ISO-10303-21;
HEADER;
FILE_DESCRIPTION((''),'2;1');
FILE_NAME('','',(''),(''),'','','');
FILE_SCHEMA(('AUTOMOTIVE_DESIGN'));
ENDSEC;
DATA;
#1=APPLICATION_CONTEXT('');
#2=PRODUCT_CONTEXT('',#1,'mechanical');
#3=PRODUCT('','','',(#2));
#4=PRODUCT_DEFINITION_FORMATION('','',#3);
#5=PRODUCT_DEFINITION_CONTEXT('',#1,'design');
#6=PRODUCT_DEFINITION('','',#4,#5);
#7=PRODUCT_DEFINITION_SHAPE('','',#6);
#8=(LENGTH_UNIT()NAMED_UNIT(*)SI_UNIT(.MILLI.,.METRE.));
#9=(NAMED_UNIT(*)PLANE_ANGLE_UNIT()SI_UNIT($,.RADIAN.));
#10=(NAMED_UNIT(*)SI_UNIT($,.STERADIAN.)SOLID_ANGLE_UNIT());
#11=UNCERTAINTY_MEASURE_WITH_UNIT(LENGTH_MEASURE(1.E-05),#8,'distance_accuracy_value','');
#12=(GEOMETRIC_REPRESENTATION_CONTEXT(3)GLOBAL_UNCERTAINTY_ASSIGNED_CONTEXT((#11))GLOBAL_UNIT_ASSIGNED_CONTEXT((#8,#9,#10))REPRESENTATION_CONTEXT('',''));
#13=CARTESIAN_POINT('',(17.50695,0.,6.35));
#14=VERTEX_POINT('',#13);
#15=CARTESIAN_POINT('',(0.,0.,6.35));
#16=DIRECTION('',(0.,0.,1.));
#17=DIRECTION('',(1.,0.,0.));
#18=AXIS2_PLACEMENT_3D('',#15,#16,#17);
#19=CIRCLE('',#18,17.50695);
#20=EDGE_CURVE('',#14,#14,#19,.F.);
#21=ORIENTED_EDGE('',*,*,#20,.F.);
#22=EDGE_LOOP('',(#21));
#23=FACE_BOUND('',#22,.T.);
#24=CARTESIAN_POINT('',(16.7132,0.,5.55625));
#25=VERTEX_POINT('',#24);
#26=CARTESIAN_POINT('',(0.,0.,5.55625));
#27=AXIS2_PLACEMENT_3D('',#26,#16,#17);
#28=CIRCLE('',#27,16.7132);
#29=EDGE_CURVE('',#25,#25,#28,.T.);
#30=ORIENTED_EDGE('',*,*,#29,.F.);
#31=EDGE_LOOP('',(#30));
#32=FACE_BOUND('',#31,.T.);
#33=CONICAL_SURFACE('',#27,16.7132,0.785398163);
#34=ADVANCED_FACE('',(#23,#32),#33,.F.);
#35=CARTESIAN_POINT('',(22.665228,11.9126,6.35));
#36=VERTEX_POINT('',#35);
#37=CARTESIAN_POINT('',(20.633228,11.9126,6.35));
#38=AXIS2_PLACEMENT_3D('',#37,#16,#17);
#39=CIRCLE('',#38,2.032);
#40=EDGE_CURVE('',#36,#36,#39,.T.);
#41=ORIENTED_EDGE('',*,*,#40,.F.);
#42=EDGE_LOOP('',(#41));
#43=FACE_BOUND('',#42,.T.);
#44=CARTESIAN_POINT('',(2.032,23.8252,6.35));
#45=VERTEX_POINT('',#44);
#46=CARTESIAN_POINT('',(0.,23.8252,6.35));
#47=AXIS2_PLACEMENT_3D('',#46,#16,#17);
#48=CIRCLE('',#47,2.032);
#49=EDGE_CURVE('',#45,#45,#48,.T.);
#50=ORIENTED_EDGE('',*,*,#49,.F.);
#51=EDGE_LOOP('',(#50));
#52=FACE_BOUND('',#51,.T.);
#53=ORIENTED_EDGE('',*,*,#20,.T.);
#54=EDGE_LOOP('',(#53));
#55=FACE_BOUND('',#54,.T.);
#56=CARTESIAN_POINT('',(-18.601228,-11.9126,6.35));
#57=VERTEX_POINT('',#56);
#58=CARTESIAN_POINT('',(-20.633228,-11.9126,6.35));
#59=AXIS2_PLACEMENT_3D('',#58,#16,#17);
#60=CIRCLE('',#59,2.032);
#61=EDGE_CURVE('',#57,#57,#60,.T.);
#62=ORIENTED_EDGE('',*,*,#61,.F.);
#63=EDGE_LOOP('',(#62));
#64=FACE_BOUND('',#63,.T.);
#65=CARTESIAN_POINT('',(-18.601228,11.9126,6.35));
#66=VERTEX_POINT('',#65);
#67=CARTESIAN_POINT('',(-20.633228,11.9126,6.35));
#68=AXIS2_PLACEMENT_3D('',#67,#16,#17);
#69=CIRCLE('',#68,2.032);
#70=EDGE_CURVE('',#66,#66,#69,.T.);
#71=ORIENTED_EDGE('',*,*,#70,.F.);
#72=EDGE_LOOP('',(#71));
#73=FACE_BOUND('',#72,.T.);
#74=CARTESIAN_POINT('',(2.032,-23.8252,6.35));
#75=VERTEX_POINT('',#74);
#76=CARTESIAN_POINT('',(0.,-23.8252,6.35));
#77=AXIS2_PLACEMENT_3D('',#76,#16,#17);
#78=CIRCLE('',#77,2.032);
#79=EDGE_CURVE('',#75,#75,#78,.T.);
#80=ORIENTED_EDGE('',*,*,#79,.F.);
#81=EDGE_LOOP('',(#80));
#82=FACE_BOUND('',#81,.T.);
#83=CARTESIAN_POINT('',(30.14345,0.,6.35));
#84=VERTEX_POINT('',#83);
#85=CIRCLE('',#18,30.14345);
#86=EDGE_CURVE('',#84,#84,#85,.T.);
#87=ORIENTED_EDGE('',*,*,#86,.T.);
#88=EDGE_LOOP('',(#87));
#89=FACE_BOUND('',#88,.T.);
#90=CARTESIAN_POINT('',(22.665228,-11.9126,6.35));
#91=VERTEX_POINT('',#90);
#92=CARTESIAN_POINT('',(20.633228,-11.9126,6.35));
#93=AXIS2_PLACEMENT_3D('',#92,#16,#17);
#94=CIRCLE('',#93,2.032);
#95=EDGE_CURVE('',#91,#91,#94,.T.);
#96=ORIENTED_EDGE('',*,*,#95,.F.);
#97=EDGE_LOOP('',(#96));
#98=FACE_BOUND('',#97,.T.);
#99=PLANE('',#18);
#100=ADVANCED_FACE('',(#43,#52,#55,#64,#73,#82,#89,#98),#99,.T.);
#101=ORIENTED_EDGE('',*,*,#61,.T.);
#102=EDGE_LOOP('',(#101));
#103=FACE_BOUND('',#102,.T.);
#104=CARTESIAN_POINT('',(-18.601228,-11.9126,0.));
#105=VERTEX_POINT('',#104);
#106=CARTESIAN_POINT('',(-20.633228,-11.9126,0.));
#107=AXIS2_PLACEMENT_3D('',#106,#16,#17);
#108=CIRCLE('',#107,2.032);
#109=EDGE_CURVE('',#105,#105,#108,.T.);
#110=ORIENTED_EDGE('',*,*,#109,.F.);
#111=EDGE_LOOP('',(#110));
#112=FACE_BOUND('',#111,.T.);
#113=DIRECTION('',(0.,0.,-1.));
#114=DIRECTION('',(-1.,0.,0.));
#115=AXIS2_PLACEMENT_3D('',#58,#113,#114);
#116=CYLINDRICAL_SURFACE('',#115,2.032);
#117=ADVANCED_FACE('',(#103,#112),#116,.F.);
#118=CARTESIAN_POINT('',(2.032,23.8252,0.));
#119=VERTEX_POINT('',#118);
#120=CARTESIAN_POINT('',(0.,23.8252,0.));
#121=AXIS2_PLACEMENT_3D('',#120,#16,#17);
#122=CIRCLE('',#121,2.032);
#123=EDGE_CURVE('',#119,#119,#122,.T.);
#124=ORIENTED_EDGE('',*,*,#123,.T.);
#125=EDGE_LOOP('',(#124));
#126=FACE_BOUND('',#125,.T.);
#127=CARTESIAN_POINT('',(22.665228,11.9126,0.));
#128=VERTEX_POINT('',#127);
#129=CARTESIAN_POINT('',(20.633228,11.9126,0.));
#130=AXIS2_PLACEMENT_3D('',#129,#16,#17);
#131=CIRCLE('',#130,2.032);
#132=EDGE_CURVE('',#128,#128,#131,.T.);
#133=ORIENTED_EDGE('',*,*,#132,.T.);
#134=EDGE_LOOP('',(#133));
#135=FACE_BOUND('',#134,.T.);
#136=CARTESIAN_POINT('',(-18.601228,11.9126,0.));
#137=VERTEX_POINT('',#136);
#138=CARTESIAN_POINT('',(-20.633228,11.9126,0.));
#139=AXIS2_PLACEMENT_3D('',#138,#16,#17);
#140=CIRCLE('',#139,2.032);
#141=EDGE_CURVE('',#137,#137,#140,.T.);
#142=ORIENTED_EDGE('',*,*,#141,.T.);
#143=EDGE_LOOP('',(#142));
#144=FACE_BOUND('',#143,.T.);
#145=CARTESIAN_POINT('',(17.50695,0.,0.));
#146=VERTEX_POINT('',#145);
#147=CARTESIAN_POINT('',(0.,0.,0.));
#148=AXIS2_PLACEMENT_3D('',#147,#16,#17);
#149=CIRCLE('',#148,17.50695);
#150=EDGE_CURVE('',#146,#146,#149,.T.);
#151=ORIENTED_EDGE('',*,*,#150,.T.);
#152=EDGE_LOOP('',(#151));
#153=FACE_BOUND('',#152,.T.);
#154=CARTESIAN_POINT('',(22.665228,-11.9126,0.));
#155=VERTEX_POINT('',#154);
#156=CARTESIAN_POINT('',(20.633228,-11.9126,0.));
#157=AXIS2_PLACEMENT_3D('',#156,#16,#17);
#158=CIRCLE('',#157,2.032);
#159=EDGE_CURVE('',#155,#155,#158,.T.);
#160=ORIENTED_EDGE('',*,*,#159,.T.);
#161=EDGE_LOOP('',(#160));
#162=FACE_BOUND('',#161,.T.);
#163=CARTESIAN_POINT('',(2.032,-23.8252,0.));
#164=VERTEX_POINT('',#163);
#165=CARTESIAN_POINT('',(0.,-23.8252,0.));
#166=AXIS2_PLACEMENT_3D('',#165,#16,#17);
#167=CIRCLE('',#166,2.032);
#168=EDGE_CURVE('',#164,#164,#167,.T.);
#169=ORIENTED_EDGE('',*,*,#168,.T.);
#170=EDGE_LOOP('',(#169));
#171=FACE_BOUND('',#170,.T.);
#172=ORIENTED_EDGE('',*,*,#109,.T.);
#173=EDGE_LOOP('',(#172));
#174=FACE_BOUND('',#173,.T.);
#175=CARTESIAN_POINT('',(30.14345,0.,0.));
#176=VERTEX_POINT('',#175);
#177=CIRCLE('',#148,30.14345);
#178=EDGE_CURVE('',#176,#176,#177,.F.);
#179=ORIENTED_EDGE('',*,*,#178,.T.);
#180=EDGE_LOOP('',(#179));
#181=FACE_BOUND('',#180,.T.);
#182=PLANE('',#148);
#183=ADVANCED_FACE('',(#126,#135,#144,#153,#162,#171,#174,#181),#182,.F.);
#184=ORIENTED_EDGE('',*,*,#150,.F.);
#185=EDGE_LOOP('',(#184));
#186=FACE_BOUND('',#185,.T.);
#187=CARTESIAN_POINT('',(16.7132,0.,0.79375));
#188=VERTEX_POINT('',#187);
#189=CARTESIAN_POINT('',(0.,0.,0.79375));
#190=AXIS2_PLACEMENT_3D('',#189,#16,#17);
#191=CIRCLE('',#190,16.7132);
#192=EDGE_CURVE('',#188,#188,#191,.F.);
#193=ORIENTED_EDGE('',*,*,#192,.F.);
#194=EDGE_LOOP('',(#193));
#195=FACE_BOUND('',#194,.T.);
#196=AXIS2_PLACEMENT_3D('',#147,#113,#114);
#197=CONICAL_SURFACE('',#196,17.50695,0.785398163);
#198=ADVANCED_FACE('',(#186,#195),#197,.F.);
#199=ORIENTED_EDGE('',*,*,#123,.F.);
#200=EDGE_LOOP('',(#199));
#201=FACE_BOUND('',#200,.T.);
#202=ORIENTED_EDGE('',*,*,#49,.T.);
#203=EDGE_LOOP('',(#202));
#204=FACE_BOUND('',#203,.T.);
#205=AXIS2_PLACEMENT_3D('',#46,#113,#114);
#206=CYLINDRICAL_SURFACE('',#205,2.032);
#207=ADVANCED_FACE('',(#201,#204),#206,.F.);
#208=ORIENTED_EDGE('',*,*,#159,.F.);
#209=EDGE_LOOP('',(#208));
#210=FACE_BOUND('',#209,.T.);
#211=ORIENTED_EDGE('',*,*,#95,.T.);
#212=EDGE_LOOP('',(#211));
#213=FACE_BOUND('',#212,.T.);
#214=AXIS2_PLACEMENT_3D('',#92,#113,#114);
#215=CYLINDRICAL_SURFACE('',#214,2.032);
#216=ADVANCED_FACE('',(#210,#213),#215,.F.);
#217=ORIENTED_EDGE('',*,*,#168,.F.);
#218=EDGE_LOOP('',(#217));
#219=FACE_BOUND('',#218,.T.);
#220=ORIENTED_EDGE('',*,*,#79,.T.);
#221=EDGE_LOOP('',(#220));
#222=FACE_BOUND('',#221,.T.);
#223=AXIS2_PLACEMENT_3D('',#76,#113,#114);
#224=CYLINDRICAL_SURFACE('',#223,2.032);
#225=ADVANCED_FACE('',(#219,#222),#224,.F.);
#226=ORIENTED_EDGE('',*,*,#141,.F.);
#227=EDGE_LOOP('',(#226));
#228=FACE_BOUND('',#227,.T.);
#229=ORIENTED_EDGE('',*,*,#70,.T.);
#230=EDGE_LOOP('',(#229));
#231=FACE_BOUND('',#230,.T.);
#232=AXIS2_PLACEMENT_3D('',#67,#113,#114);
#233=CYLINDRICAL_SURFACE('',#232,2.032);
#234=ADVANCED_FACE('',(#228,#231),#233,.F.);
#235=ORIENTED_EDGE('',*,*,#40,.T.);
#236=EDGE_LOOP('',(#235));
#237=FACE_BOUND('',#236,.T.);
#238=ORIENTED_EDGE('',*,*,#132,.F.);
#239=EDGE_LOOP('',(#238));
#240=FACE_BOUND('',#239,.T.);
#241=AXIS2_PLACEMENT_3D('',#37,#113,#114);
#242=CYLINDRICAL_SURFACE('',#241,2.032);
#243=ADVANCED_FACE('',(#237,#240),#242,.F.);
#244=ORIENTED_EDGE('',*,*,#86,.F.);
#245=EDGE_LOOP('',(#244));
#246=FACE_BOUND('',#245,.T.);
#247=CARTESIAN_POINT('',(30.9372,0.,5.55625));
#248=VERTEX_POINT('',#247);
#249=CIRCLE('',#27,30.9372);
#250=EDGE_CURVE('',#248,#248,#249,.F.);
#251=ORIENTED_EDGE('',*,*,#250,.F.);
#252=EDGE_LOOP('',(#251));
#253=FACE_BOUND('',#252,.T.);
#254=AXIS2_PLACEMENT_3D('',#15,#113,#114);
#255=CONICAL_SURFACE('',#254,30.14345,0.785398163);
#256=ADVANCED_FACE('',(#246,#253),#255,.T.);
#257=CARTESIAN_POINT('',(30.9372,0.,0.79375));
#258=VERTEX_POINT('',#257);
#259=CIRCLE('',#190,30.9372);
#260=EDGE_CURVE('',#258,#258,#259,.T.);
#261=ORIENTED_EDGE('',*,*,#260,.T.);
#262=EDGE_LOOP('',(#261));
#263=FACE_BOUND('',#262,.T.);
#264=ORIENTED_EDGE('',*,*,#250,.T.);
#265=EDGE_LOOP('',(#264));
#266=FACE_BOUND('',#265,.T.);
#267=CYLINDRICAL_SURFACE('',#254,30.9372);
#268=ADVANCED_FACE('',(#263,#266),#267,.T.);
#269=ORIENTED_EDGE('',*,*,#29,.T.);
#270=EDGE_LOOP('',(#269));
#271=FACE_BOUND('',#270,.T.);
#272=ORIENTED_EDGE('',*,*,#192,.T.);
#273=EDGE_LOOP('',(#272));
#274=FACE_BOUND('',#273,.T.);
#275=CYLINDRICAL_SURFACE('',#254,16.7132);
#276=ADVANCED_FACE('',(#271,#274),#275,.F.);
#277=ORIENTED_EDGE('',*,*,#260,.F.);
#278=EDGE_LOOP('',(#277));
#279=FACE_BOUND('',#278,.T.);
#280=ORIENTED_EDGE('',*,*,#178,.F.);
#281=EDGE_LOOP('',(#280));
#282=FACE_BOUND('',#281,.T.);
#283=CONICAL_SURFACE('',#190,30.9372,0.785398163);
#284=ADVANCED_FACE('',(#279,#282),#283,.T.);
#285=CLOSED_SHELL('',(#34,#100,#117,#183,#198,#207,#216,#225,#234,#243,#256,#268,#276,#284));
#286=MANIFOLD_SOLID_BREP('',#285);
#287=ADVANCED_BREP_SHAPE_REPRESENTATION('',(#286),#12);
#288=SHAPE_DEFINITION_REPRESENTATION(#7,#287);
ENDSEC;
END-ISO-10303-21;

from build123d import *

# Parameters (mm, degrees)
SKETCH1_R           = 30.9372
SKETCH1_R_2         = 2.032
SKETCH1_R_3         = 16.7132
BOSS_EXTRUDE1_DEPTH = 6.35
CHAMFER1_SIZE       = 0.79375


with BuildPart() as part:
    # Sketch1 → Boss-Extrude1 (new body)
    with BuildSketch(Plane.XY):
        Circle(SKETCH1_R)
        with Locations((0, 23.8252)):
            Circle(SKETCH1_R_2, mode=Mode.SUBTRACT)
        Circle(SKETCH1_R_3, mode=Mode.SUBTRACT)
        with Locations((20.63322845, 11.9126)):
            Circle(SKETCH1_R_2, mode=Mode.SUBTRACT)
        with Locations((20.63322845, -11.9126)):
            Circle(SKETCH1_R_2, mode=Mode.SUBTRACT)
        with Locations((0, -23.8252)):
            Circle(SKETCH1_R_2, mode=Mode.SUBTRACT)
        with Locations((-20.63322845, -11.9126)):
            Circle(SKETCH1_R_2, mode=Mode.SUBTRACT)
        with Locations((-20.63322845, 11.9126)):
            Circle(SKETCH1_R_2, mode=Mode.SUBTRACT)
    extrude(amount=BOSS_EXTRUDE1_DEPTH)

    # Chamfer1
    chamfer1_edges = [part.edges().sort_by_distance(p)[0] for p in [
        (-30.9372, 0, 0),
        (-30.9372, 0, 6.35),
        (-16.7132, 0, 0),
        (-16.7132, 0, 6.35),
    ]]
    chamfer(chamfer1_edges, length=CHAMFER1_SIZE)


solid = part.part
